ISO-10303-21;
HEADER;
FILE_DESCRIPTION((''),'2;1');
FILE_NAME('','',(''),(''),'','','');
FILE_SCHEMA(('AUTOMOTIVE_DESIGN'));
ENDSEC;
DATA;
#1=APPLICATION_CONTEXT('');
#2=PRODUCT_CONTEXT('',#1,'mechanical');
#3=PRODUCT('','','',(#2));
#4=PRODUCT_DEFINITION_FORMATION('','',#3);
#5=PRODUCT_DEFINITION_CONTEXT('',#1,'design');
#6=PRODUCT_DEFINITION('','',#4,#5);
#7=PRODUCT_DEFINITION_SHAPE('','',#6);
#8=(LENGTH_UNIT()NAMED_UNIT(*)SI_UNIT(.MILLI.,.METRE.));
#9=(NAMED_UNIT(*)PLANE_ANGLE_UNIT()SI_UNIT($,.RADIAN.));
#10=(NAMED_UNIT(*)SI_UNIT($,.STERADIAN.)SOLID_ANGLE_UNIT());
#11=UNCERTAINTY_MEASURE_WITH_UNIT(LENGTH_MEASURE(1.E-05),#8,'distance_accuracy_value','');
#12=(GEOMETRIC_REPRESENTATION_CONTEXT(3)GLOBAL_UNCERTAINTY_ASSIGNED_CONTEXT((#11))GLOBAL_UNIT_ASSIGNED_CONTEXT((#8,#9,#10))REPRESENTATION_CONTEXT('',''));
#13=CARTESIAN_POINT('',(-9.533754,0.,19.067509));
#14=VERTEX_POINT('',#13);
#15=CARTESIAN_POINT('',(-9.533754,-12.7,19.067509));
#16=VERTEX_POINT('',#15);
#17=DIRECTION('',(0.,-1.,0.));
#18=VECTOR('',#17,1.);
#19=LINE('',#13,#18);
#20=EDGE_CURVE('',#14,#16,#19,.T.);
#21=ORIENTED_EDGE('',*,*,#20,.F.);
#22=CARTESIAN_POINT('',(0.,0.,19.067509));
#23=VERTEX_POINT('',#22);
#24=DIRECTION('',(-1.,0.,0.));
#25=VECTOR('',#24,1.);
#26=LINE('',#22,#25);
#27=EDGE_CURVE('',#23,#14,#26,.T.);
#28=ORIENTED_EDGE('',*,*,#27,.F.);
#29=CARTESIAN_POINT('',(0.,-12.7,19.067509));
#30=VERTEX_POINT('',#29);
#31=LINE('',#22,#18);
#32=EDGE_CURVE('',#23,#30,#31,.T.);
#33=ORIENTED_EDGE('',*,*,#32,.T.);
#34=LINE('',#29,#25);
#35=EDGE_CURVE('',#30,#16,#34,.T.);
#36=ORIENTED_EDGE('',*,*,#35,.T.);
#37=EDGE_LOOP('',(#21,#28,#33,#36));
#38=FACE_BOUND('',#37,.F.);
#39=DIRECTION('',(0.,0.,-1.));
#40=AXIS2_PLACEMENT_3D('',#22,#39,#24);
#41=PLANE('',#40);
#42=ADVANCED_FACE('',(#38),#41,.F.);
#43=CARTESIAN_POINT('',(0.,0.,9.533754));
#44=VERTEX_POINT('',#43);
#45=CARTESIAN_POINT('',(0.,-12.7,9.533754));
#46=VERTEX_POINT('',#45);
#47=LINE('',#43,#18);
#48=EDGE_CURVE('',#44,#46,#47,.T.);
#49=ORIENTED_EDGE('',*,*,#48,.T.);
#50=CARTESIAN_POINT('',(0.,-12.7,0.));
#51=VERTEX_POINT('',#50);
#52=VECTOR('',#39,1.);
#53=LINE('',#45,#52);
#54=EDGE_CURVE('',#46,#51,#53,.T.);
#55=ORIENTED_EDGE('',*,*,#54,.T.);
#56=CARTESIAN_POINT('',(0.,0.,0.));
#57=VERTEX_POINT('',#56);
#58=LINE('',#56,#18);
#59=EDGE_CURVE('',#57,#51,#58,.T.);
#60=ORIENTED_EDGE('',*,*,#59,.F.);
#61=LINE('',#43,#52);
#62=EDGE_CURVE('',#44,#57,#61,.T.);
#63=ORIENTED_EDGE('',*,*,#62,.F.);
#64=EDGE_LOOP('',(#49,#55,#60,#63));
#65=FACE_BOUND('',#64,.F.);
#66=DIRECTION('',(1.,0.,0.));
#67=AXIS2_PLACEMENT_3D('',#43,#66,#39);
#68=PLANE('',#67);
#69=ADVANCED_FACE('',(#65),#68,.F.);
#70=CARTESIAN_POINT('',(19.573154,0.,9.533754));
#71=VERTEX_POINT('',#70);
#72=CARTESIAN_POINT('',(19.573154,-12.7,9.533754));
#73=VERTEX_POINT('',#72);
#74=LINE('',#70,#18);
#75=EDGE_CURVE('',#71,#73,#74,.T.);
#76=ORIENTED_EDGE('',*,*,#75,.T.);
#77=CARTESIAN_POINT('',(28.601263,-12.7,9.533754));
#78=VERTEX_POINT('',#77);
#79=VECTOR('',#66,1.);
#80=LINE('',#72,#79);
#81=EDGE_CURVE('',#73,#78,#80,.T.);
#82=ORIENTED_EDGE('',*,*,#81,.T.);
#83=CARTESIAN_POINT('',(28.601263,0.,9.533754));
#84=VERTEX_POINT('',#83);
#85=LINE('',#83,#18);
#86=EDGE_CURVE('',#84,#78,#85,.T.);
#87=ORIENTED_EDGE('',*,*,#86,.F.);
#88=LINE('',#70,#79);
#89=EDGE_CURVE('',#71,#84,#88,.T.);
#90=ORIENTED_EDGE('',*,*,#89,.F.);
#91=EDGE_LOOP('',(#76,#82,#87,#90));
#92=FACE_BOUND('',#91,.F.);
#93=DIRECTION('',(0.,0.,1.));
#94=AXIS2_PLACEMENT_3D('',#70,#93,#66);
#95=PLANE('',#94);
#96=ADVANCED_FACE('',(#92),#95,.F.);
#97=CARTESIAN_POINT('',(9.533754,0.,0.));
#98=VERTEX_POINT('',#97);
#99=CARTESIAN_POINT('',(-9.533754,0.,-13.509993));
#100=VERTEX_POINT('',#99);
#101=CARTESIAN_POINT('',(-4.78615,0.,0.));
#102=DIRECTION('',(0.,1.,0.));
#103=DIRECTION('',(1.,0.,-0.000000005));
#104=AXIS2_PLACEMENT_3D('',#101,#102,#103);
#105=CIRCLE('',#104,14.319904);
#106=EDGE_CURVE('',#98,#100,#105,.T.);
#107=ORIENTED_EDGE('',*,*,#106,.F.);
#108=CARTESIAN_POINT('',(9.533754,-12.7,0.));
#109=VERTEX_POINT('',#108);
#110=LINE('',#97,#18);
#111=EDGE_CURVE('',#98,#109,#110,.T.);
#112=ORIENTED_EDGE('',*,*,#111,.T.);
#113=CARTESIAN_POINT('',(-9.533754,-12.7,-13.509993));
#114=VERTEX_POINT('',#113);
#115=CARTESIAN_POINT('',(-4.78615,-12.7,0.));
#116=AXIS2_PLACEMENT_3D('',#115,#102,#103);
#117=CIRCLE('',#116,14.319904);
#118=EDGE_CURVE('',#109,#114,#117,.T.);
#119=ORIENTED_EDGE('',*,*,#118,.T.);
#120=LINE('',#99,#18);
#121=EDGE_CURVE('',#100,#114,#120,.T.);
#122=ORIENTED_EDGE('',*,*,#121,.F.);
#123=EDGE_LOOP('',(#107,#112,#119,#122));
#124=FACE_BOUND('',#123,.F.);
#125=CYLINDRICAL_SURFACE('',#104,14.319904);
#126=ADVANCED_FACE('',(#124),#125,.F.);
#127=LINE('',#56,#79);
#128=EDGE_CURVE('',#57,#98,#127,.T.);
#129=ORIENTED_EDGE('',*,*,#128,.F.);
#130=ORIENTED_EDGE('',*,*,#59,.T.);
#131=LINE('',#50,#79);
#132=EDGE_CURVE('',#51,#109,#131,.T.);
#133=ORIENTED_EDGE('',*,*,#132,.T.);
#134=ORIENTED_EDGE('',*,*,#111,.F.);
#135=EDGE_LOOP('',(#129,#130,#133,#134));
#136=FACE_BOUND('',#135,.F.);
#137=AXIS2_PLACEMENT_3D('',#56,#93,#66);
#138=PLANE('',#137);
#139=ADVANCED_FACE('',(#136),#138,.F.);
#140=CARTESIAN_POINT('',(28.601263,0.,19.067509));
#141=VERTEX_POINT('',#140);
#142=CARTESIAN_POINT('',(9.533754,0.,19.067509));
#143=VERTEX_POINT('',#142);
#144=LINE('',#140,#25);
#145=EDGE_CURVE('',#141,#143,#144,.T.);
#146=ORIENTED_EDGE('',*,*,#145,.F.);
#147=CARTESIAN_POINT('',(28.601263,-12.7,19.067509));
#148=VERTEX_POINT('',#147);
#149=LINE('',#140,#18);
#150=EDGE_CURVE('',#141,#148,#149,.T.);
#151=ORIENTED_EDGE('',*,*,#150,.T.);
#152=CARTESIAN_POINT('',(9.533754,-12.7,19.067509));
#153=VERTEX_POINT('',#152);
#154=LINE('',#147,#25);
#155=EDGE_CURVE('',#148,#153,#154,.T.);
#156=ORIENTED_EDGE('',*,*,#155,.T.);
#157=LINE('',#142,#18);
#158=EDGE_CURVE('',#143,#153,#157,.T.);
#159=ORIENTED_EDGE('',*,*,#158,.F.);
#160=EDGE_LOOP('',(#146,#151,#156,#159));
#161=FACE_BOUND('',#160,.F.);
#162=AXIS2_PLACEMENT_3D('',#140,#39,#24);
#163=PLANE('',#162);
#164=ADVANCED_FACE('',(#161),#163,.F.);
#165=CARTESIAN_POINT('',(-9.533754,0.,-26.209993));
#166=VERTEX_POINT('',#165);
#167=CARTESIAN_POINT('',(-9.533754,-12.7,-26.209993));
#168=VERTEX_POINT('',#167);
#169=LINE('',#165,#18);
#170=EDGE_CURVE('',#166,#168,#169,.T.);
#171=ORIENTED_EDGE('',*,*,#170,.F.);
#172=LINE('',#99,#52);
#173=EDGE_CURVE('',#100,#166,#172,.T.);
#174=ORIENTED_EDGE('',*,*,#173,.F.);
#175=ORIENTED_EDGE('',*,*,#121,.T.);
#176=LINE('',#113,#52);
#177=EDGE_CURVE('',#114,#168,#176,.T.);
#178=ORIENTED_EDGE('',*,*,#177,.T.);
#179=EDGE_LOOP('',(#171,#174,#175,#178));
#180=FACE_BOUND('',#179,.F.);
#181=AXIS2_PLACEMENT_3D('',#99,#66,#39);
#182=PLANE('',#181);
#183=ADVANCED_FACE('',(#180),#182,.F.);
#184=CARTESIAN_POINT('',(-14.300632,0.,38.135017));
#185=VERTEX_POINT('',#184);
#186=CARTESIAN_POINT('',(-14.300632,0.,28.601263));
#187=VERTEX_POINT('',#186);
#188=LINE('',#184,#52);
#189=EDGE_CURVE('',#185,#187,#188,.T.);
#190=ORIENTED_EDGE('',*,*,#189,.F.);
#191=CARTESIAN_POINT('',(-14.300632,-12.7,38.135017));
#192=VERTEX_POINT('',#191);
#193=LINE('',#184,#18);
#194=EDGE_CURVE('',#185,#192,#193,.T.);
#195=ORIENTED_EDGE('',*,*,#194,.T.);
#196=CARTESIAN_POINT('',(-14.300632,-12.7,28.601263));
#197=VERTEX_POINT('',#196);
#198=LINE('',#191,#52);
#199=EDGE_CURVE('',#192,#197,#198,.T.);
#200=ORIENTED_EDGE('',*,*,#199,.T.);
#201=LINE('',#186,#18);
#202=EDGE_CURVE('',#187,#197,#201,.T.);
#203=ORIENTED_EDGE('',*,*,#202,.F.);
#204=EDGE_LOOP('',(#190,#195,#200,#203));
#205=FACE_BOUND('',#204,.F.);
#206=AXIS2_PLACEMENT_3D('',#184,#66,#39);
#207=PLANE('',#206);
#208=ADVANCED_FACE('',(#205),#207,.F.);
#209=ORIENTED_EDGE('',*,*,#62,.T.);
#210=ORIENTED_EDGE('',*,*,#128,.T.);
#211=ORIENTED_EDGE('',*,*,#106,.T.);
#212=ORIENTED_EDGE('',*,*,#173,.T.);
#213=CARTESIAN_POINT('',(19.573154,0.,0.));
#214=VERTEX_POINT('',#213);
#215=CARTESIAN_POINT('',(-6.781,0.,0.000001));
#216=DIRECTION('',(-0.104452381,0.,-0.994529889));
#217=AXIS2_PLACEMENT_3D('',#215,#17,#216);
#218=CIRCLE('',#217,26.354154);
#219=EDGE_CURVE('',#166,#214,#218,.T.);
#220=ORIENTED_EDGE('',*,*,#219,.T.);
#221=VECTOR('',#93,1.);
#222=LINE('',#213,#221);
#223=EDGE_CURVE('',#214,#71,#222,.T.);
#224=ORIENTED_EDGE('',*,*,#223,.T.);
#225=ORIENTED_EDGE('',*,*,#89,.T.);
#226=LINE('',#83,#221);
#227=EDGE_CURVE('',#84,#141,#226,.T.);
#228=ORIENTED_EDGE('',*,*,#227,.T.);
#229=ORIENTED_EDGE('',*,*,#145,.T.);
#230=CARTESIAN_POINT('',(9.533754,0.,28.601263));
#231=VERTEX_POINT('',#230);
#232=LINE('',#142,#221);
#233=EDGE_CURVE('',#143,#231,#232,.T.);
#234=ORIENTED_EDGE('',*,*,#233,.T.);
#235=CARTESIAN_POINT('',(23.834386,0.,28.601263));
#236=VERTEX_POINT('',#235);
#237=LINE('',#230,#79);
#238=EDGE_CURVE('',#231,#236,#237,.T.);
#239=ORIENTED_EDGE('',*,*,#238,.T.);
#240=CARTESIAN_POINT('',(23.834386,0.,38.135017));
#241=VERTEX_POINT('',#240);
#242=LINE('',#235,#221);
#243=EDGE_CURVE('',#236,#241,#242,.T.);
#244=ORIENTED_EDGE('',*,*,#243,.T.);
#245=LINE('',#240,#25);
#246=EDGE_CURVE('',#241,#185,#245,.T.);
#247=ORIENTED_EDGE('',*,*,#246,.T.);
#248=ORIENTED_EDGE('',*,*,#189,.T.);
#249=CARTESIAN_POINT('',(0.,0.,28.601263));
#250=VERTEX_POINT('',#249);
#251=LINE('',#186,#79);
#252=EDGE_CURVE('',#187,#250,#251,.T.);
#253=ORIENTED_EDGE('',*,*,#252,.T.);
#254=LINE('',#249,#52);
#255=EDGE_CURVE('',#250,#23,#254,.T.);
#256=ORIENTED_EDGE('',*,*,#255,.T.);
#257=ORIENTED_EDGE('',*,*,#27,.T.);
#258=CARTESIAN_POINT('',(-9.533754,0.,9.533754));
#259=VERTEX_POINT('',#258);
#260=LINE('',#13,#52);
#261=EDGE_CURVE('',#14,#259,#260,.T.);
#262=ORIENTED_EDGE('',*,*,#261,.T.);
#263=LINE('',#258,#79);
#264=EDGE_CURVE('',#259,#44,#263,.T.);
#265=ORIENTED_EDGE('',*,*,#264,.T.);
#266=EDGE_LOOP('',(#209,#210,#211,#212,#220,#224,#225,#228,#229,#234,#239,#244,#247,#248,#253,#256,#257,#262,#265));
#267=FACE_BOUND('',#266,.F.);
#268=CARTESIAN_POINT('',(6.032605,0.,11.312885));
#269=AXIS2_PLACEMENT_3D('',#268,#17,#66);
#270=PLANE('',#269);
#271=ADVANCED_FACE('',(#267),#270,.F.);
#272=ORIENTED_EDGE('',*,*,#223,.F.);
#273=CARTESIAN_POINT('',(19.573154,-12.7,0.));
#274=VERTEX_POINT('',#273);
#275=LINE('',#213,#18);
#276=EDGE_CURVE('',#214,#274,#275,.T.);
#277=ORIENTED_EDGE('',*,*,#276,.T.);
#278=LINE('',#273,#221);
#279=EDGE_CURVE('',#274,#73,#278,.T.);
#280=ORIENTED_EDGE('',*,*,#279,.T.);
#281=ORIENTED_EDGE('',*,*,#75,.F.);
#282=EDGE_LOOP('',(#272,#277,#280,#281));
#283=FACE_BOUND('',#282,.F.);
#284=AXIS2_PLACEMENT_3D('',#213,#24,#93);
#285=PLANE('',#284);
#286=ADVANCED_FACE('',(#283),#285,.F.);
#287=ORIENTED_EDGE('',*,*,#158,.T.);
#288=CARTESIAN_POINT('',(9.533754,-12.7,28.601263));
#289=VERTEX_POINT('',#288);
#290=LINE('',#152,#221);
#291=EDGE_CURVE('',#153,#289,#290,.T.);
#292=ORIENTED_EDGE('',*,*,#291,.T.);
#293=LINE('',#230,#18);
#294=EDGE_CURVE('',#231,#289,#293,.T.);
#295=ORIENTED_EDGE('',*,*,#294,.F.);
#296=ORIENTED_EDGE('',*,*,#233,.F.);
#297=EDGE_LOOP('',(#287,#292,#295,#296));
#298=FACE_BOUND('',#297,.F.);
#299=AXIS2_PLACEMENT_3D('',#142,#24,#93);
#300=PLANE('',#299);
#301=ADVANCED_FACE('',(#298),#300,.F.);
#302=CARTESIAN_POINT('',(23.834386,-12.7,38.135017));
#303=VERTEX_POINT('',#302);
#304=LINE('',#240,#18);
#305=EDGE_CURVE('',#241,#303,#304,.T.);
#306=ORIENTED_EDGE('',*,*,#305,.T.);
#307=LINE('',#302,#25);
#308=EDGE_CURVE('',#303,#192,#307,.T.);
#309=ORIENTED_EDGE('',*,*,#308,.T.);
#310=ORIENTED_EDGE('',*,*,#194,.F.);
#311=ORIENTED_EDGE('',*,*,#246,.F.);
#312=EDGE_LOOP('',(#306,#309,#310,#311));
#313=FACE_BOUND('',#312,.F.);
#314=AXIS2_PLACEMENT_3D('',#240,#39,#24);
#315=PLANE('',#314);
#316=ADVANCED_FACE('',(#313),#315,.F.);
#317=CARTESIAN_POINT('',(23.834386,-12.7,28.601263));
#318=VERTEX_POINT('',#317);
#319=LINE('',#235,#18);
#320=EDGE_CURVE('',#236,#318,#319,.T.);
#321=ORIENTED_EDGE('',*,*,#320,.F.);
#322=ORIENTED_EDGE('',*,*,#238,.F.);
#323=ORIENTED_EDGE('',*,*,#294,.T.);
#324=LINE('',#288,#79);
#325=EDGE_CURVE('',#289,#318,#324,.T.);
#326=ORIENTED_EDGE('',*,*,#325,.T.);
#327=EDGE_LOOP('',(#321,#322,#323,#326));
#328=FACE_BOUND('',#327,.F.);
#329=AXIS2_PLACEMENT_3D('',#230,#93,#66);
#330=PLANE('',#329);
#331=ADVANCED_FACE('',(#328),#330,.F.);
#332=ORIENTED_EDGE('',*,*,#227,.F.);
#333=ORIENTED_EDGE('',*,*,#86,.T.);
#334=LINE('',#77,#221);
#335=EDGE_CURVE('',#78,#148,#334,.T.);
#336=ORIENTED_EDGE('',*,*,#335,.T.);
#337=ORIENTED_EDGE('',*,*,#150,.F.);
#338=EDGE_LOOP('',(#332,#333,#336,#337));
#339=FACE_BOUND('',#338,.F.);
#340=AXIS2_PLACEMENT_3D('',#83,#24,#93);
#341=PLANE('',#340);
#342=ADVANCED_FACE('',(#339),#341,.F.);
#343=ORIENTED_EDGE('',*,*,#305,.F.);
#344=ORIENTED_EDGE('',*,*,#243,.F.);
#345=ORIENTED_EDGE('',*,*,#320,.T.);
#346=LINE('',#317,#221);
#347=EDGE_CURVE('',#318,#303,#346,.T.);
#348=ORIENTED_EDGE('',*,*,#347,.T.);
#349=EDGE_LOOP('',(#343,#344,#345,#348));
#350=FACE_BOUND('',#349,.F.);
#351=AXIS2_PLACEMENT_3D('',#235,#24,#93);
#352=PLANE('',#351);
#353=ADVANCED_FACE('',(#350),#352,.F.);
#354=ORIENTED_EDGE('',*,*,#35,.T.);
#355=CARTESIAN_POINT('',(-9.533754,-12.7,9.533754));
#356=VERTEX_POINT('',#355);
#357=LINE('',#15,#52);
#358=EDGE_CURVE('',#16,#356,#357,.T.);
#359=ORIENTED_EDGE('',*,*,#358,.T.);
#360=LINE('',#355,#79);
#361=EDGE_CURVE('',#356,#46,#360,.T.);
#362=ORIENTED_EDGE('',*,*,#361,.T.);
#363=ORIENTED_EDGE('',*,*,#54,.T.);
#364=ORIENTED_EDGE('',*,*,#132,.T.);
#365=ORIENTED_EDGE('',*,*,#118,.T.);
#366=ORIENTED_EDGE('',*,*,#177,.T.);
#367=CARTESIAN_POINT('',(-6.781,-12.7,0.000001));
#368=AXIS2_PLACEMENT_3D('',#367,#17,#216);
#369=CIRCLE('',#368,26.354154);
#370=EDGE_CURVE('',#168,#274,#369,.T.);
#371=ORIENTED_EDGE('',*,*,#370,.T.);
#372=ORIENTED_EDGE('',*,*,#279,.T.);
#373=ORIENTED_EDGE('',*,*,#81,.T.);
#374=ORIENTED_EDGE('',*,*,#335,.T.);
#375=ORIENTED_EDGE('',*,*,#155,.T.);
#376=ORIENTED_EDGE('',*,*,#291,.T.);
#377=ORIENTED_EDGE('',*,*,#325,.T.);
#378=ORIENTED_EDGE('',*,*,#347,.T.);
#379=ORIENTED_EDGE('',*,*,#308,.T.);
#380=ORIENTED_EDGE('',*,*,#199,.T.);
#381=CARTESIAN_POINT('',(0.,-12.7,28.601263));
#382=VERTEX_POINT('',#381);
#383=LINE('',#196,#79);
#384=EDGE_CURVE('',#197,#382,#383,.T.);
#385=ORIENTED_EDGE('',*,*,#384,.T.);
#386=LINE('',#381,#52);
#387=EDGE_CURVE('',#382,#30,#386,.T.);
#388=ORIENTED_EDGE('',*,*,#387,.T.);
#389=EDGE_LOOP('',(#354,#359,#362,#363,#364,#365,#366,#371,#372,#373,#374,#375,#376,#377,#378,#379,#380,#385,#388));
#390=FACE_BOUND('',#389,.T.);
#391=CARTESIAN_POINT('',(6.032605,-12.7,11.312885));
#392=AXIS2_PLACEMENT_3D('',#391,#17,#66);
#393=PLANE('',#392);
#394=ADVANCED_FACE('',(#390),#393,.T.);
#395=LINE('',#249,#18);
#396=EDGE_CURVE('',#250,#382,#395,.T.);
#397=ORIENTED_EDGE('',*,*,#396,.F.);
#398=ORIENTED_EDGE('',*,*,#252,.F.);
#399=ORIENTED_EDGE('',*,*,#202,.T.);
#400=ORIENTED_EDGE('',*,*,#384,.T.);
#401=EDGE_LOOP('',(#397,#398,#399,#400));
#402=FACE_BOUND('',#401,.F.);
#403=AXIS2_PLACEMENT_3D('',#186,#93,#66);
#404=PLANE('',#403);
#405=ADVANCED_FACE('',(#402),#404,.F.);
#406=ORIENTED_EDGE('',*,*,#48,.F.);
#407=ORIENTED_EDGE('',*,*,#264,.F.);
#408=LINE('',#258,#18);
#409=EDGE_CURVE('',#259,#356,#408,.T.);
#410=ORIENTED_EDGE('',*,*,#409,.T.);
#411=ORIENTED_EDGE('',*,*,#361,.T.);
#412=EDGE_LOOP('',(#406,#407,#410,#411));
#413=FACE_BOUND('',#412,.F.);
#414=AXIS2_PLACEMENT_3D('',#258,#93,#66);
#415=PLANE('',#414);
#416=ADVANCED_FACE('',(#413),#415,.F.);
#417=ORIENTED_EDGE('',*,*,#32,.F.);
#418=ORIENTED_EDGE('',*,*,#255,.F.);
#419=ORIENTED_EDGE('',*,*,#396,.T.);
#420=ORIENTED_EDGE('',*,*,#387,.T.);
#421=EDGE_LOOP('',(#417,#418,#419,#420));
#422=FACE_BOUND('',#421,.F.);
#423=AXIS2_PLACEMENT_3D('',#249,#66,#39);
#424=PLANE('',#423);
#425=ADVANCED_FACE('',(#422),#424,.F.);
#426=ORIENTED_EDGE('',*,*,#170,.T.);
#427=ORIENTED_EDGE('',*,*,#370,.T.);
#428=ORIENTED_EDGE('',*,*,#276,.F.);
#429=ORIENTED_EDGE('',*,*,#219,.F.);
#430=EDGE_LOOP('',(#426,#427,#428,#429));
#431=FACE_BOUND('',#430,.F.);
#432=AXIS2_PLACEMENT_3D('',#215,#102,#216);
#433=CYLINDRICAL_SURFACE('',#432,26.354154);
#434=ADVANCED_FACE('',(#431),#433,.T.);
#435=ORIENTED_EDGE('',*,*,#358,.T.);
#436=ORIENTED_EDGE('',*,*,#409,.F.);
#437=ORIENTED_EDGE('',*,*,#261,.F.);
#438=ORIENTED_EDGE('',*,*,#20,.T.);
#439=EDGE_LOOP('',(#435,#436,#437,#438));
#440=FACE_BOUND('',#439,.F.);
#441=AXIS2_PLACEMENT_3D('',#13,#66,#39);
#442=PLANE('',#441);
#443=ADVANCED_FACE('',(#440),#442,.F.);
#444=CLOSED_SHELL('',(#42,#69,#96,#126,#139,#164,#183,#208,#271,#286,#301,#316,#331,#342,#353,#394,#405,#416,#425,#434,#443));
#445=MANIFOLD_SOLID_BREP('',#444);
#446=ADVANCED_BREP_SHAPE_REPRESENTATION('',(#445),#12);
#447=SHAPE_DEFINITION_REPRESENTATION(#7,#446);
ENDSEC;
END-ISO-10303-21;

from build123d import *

# Parameters (mm, degrees)
F1_DEPTH = 12.7


with BuildPart() as f1:
    # F0 (on Front) → F1 (new body)
    with BuildSketch(Plane.XZ):
        with BuildLine():
            Line((0, 9.533754), (0, 0))
            Line((0, 0), (9.533754, 0))
            ThreePointArc((9.533754, 0), (3.49257, -11.684282), (-9.533754, -13.509993))
            Line((-9.533754, -13.509993), (-9.533754, -26.209993))
            ThreePointArc((-9.533754, -26.209993), (10.85412, -19.584278), (19.573154, 0))
            Line((19.573154, 0), (19.573154, 9.533754))
            Line((19.573154, 9.533754), (28.601263, 9.533754))
            Line((28.601263, 9.533754), (28.601263, 19.067509))
            Line((28.601263, 19.067509), (9.533754, 19.067509))
            Line((9.533754, 19.067509), (9.533754, 28.601263))
            Line((9.533754, 28.601263), (23.834386, 28.601263))
            Line((23.834386, 28.601263), (23.834386, 38.135017))
            Line((23.834386, 38.135017), (9.533754, 38.135017))
            Line((9.533754, 38.135017), (0, 38.135017))
            Line((0, 38.135017), (-14.300632, 38.135017))
            Line((-14.300632, 38.135017), (-14.300632, 28.601263))
            Line((-14.300632, 28.601263), (0, 28.601263))
            Line((0, 28.601263), (0, 19.067509))
            Line((0, 19.067509), (-9.533754, 19.067509))
            Line((-9.533754, 19.067509), (-9.533754, 9.533754))
            Line((-9.533754, 9.533754), (0, 9.533754))
        make_face()
    extrude(amount=F1_DEPTH)


solid = f1.part
